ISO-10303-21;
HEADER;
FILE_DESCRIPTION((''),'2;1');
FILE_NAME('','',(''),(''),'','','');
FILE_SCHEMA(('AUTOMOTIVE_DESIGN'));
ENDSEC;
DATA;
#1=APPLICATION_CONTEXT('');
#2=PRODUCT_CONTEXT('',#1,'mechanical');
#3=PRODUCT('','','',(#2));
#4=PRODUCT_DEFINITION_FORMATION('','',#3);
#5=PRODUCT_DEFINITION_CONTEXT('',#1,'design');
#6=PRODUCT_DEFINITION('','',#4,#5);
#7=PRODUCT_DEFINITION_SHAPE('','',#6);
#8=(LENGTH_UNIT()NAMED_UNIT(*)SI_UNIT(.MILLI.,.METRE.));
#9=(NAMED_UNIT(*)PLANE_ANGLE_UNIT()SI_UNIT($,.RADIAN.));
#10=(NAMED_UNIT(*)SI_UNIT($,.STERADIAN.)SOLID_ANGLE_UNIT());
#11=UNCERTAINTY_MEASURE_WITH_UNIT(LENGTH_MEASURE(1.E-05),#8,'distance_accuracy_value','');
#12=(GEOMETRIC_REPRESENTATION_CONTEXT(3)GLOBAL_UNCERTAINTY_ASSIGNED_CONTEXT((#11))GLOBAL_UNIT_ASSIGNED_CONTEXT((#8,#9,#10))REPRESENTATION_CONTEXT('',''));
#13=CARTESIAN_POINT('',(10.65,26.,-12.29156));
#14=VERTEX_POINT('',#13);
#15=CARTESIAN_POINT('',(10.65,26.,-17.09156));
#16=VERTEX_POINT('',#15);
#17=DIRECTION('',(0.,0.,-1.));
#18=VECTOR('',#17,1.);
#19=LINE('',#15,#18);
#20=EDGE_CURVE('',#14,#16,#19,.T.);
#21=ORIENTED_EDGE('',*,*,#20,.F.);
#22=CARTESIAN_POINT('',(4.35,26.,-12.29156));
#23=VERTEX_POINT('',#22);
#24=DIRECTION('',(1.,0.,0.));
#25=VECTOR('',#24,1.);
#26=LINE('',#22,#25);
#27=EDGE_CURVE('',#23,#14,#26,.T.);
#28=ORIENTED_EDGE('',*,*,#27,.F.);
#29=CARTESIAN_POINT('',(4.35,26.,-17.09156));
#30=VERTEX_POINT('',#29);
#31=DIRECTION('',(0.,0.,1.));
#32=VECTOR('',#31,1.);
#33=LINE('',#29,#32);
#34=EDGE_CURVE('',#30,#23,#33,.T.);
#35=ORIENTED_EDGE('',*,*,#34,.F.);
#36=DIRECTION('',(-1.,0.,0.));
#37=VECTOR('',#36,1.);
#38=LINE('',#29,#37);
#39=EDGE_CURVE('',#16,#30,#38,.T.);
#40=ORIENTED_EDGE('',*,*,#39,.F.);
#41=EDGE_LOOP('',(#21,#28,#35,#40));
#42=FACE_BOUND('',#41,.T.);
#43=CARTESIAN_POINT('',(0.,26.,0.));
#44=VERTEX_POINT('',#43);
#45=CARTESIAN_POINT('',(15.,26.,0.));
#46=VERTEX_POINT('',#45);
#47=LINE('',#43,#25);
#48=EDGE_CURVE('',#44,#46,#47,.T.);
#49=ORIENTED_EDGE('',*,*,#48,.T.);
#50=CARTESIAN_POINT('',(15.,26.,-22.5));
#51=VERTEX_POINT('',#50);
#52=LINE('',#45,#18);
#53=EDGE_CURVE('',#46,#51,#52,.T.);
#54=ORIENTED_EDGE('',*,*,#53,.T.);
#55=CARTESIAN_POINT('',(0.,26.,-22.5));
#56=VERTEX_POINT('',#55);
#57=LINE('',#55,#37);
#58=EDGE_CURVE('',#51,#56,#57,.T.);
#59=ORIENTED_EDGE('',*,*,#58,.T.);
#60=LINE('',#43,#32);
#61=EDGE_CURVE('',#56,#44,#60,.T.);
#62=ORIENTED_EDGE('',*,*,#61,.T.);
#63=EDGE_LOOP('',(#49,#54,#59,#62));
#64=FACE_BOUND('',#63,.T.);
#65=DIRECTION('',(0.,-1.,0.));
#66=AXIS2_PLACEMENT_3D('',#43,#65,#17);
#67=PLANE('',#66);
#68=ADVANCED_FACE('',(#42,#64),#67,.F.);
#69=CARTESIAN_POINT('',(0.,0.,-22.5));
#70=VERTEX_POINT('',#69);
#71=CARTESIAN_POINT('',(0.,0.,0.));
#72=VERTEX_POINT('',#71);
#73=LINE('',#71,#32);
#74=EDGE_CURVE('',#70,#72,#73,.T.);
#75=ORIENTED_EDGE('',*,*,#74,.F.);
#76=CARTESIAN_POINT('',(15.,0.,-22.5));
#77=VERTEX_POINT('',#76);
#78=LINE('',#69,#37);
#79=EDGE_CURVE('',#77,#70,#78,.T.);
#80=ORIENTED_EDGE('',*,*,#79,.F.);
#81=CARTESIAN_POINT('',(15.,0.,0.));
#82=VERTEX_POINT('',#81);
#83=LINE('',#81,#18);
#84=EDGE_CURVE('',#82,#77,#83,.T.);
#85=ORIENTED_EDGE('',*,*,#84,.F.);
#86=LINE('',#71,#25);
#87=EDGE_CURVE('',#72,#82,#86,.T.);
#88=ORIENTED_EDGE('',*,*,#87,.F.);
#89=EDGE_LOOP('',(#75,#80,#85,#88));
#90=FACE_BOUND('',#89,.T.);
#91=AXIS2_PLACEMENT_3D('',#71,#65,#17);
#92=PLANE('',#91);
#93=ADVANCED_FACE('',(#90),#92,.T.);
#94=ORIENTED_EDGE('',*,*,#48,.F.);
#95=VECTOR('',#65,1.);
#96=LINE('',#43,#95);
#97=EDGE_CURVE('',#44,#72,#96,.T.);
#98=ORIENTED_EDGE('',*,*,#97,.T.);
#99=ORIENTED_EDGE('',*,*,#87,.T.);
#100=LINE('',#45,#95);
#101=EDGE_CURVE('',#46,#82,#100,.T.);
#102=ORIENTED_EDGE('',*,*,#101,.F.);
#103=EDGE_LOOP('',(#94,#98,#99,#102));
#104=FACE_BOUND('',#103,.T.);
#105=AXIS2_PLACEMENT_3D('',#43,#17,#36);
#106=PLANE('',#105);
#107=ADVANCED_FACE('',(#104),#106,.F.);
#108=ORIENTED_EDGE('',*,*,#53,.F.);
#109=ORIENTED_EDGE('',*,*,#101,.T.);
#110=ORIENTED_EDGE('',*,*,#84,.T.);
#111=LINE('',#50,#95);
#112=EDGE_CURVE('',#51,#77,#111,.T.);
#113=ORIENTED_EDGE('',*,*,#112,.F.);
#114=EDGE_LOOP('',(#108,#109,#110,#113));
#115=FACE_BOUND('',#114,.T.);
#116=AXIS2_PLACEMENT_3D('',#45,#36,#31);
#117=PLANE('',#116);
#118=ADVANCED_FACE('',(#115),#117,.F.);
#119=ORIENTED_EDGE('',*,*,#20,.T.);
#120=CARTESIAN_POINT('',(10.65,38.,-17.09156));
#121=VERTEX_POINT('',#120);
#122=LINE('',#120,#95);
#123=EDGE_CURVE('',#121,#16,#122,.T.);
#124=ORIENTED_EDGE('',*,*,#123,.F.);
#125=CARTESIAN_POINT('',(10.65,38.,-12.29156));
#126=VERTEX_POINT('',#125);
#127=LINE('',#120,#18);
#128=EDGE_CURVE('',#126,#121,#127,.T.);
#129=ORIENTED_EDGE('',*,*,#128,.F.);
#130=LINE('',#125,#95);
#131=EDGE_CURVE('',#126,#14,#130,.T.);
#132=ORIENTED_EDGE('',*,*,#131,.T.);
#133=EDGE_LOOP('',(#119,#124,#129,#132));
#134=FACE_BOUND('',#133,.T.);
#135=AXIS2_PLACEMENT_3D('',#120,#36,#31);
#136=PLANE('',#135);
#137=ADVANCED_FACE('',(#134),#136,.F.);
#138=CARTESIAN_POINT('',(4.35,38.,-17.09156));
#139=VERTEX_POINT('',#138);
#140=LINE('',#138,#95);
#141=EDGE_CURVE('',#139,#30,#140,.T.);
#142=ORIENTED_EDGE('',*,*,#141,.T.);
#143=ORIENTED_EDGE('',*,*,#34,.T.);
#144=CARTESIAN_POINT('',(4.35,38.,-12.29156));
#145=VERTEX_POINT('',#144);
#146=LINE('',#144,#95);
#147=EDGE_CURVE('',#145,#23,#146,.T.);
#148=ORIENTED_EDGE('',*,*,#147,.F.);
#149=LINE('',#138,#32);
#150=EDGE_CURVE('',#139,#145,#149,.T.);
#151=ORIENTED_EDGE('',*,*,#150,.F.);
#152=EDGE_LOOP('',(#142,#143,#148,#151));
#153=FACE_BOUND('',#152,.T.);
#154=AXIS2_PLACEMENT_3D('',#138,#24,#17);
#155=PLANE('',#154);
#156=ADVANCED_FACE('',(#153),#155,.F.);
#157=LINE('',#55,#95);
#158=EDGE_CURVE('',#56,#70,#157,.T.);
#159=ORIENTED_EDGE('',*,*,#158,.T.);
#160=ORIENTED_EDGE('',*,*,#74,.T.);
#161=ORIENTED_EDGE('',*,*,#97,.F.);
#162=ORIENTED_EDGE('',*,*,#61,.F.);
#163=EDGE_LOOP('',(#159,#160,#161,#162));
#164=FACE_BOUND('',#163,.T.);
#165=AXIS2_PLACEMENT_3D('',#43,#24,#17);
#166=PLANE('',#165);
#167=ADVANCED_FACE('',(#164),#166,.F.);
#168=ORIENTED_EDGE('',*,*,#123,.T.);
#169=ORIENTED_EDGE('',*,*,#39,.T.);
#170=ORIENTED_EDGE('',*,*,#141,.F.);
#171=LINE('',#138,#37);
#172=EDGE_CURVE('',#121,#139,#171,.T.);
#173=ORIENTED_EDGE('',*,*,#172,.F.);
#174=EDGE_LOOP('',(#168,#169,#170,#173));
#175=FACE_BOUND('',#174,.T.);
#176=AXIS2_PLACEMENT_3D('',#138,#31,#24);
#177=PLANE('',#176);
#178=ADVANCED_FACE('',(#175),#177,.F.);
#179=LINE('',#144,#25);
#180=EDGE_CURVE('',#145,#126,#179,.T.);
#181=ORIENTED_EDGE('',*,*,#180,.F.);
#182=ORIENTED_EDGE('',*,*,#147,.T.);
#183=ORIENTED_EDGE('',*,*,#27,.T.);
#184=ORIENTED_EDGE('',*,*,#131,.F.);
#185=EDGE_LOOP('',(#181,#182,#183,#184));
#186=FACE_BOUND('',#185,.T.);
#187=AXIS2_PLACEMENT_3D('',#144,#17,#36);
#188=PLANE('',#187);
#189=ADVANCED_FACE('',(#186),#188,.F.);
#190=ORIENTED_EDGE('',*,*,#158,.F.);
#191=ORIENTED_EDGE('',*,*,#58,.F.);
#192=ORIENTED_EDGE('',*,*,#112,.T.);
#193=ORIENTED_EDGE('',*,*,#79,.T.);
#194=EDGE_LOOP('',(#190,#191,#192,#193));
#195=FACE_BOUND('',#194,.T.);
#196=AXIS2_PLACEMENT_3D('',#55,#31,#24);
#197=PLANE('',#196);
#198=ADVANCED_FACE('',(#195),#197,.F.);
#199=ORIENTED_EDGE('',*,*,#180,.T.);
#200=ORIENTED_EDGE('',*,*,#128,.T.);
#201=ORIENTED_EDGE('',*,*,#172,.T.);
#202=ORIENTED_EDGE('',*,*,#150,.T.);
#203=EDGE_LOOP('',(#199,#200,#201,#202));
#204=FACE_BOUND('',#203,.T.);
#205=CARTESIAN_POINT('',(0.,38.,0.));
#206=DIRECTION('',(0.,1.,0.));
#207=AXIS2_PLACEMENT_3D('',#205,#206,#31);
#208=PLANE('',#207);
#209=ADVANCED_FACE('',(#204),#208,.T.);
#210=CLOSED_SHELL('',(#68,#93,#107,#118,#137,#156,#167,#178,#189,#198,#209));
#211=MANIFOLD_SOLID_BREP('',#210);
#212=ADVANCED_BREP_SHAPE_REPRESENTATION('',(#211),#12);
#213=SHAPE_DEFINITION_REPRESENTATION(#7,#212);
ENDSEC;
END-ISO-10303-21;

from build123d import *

# Parameters (mm, degrees)
CROQUIS1_W              = 15
CROQUIS1_H              = 22.5
SALIENTE_EXTRUIR1_DEPTH = 26
CROQUIS2_W              = 6.3
CROQUIS2_H              = 4.8
SALIENTE_EXTRUIR2_DEPTH = 12


with BuildPart() as part:
    # Croquis1 → Saliente-Extruir1 (new body)
    with BuildSketch(Plane(origin=(0, 0, 0), x_dir=(1, 0, 0), z_dir=(0, 1, 0))):
        with Locations((7.5, 11.25)):
            Rectangle(CROQUIS1_W, CROQUIS1_H)
    extrude(amount=SALIENTE_EXTRUIR1_DEPTH)

    # Croquis2 → Saliente-Extruir2 (add)
    with BuildSketch(Plane(origin=(0, 26, 0), x_dir=(1, 0, 0), z_dir=(0, 1, 0))):
        with Locations((7.5, 14.691559925)):
            Rectangle(CROQUIS2_W, CROQUIS2_H)
    extrude(amount=SALIENTE_EXTRUIR2_DEPTH)


solid = part.part
